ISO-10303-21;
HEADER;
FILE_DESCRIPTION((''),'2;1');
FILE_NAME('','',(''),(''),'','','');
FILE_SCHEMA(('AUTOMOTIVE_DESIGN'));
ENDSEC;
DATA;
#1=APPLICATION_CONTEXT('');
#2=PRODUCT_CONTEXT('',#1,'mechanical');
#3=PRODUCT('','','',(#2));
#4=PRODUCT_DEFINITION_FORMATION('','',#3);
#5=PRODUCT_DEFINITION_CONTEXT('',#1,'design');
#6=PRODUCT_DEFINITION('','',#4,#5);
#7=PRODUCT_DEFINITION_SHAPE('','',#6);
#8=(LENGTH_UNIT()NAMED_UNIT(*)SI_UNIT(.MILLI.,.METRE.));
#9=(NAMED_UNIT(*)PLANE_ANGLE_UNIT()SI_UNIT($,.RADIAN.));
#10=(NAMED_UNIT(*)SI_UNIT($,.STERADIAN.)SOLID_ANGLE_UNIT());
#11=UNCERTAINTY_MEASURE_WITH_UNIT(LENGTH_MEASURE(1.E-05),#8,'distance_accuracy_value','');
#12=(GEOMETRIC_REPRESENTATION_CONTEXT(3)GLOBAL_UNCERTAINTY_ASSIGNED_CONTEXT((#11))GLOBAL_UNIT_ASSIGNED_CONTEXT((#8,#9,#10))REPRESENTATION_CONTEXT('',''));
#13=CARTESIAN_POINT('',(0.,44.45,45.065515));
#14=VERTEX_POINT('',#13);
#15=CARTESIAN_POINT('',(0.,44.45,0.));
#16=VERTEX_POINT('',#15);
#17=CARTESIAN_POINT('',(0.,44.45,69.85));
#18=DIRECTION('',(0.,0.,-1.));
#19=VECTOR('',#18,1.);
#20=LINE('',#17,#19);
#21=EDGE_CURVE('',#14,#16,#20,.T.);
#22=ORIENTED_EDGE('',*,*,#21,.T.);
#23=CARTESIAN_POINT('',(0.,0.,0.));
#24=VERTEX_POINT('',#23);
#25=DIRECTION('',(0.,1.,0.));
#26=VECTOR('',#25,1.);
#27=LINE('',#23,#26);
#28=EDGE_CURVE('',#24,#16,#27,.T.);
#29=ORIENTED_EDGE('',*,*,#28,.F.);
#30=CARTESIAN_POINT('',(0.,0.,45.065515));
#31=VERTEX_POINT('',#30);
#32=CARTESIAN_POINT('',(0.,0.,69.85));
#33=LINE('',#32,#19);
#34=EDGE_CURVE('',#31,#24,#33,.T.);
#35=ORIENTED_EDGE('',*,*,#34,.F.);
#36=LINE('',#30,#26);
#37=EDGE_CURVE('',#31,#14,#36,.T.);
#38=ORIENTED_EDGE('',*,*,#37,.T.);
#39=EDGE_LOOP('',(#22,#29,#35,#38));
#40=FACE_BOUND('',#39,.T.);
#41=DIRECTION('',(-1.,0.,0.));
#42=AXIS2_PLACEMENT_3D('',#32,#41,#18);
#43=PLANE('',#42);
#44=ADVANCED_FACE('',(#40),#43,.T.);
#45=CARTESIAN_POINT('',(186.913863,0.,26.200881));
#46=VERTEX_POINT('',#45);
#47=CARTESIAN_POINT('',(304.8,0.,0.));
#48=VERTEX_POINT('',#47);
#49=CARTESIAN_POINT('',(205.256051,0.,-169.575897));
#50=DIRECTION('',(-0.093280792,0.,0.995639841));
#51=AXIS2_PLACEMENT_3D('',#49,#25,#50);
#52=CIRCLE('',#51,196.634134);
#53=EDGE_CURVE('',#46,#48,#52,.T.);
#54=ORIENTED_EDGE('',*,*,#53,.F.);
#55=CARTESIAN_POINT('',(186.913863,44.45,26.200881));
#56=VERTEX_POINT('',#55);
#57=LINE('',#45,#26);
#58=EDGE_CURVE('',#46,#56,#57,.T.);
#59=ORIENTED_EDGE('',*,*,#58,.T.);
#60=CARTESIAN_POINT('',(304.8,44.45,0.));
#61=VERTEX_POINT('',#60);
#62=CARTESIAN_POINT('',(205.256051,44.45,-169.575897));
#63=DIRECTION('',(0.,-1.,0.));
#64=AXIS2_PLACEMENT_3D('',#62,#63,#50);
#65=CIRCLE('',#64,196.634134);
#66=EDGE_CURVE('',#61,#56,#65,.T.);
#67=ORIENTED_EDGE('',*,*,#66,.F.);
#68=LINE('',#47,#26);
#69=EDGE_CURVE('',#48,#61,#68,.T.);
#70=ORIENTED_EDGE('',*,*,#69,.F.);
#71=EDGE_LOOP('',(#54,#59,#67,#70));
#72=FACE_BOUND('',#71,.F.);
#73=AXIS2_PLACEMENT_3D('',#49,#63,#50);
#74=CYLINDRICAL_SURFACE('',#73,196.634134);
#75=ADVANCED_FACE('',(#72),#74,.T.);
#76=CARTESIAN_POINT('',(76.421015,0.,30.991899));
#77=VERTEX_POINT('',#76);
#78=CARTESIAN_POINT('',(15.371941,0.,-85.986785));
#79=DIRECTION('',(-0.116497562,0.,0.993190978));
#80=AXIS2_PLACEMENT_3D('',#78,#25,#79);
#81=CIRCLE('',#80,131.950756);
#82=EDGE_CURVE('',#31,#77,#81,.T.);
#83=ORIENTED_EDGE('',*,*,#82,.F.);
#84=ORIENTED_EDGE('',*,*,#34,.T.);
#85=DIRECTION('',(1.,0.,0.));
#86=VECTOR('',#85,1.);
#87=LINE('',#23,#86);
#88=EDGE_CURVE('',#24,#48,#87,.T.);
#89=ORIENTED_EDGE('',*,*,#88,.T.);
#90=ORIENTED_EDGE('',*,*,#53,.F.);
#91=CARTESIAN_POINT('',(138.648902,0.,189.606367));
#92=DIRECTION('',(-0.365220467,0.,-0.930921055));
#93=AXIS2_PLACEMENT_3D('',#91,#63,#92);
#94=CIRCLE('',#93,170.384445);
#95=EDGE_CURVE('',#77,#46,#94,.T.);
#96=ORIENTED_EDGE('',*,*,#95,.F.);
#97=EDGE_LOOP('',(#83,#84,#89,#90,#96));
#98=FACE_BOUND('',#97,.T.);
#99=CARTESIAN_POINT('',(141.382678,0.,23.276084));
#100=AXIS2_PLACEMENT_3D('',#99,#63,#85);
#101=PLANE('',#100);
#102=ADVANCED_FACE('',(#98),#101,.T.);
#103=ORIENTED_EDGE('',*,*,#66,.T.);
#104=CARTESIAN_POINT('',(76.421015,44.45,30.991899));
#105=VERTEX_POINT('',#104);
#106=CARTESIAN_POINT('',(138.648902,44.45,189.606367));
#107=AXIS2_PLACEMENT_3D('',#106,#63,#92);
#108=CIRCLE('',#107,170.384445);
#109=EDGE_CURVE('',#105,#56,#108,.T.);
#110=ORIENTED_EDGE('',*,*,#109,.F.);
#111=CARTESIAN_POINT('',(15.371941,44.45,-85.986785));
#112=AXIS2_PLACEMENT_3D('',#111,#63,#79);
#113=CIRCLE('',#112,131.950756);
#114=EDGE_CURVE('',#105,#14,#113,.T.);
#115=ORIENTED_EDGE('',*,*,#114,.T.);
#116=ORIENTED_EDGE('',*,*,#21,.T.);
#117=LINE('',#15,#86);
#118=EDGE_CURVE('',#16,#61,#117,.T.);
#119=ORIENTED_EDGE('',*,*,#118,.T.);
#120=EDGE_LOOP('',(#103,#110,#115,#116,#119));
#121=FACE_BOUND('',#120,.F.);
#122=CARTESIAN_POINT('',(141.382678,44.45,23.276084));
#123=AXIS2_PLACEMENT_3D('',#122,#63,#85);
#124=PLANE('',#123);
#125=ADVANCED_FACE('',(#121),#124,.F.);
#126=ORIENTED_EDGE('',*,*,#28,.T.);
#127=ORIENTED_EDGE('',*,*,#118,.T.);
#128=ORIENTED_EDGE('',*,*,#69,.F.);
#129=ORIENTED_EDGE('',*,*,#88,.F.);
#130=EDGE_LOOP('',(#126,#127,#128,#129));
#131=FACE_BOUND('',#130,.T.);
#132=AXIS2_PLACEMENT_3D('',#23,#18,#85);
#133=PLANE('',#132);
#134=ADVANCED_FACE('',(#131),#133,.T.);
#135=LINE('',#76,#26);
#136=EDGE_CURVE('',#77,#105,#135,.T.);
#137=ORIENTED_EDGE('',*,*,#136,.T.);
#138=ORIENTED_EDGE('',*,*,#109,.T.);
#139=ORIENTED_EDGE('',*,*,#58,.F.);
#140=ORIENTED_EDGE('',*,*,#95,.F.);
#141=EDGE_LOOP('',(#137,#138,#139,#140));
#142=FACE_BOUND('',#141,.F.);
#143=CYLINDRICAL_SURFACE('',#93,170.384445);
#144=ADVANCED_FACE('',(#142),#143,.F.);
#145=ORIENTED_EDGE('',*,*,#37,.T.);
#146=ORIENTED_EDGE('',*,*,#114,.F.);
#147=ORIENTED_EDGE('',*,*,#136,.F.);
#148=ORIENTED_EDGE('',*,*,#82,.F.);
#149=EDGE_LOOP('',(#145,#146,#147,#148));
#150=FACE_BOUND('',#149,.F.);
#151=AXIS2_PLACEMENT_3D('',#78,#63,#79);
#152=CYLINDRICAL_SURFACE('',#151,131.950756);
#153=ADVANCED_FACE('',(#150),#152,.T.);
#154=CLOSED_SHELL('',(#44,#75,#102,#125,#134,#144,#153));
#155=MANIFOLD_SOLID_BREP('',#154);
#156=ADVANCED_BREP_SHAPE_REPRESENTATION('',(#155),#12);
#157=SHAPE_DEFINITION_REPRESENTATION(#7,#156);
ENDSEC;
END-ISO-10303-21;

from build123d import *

# Parameters (mm, degrees)
F1_DEPTH = 44.45
F3_DEPTH = 50.8


with BuildPart() as f1:
    # F0 (on Front) → F1 (new body)
    with BuildSketch(Plane.XZ):
        Polygon((0, 69.85), (0, 0), (304.8, 0), (304.8, 19.05), align=None)
    extrude(amount=-F1_DEPTH)

    # F2 (on face) → F3 (cut)
    with BuildSketch(Plane.XZ):
        with BuildLine():
            ThreePointArc((0, 45.065515), (39.269991, 43.781798), (76.421015, 30.991899))
            ThreePointArc((76.421015, 30.991899), (131.267893, 19.381868), (186.913863, 26.200881))
            ThreePointArc((186.913863, 26.200881), (247.918131, 22.374434), (304.8, 0))
            Line((304.8, 0), (304.8, 19.05))
            Line((304.8, 19.05), (0, 69.85))
            Line((0, 69.85), (0, 45.065515))
        make_face()
    extrude(amount=-F3_DEPTH, mode=Mode.SUBTRACT)


solid = f1.part
